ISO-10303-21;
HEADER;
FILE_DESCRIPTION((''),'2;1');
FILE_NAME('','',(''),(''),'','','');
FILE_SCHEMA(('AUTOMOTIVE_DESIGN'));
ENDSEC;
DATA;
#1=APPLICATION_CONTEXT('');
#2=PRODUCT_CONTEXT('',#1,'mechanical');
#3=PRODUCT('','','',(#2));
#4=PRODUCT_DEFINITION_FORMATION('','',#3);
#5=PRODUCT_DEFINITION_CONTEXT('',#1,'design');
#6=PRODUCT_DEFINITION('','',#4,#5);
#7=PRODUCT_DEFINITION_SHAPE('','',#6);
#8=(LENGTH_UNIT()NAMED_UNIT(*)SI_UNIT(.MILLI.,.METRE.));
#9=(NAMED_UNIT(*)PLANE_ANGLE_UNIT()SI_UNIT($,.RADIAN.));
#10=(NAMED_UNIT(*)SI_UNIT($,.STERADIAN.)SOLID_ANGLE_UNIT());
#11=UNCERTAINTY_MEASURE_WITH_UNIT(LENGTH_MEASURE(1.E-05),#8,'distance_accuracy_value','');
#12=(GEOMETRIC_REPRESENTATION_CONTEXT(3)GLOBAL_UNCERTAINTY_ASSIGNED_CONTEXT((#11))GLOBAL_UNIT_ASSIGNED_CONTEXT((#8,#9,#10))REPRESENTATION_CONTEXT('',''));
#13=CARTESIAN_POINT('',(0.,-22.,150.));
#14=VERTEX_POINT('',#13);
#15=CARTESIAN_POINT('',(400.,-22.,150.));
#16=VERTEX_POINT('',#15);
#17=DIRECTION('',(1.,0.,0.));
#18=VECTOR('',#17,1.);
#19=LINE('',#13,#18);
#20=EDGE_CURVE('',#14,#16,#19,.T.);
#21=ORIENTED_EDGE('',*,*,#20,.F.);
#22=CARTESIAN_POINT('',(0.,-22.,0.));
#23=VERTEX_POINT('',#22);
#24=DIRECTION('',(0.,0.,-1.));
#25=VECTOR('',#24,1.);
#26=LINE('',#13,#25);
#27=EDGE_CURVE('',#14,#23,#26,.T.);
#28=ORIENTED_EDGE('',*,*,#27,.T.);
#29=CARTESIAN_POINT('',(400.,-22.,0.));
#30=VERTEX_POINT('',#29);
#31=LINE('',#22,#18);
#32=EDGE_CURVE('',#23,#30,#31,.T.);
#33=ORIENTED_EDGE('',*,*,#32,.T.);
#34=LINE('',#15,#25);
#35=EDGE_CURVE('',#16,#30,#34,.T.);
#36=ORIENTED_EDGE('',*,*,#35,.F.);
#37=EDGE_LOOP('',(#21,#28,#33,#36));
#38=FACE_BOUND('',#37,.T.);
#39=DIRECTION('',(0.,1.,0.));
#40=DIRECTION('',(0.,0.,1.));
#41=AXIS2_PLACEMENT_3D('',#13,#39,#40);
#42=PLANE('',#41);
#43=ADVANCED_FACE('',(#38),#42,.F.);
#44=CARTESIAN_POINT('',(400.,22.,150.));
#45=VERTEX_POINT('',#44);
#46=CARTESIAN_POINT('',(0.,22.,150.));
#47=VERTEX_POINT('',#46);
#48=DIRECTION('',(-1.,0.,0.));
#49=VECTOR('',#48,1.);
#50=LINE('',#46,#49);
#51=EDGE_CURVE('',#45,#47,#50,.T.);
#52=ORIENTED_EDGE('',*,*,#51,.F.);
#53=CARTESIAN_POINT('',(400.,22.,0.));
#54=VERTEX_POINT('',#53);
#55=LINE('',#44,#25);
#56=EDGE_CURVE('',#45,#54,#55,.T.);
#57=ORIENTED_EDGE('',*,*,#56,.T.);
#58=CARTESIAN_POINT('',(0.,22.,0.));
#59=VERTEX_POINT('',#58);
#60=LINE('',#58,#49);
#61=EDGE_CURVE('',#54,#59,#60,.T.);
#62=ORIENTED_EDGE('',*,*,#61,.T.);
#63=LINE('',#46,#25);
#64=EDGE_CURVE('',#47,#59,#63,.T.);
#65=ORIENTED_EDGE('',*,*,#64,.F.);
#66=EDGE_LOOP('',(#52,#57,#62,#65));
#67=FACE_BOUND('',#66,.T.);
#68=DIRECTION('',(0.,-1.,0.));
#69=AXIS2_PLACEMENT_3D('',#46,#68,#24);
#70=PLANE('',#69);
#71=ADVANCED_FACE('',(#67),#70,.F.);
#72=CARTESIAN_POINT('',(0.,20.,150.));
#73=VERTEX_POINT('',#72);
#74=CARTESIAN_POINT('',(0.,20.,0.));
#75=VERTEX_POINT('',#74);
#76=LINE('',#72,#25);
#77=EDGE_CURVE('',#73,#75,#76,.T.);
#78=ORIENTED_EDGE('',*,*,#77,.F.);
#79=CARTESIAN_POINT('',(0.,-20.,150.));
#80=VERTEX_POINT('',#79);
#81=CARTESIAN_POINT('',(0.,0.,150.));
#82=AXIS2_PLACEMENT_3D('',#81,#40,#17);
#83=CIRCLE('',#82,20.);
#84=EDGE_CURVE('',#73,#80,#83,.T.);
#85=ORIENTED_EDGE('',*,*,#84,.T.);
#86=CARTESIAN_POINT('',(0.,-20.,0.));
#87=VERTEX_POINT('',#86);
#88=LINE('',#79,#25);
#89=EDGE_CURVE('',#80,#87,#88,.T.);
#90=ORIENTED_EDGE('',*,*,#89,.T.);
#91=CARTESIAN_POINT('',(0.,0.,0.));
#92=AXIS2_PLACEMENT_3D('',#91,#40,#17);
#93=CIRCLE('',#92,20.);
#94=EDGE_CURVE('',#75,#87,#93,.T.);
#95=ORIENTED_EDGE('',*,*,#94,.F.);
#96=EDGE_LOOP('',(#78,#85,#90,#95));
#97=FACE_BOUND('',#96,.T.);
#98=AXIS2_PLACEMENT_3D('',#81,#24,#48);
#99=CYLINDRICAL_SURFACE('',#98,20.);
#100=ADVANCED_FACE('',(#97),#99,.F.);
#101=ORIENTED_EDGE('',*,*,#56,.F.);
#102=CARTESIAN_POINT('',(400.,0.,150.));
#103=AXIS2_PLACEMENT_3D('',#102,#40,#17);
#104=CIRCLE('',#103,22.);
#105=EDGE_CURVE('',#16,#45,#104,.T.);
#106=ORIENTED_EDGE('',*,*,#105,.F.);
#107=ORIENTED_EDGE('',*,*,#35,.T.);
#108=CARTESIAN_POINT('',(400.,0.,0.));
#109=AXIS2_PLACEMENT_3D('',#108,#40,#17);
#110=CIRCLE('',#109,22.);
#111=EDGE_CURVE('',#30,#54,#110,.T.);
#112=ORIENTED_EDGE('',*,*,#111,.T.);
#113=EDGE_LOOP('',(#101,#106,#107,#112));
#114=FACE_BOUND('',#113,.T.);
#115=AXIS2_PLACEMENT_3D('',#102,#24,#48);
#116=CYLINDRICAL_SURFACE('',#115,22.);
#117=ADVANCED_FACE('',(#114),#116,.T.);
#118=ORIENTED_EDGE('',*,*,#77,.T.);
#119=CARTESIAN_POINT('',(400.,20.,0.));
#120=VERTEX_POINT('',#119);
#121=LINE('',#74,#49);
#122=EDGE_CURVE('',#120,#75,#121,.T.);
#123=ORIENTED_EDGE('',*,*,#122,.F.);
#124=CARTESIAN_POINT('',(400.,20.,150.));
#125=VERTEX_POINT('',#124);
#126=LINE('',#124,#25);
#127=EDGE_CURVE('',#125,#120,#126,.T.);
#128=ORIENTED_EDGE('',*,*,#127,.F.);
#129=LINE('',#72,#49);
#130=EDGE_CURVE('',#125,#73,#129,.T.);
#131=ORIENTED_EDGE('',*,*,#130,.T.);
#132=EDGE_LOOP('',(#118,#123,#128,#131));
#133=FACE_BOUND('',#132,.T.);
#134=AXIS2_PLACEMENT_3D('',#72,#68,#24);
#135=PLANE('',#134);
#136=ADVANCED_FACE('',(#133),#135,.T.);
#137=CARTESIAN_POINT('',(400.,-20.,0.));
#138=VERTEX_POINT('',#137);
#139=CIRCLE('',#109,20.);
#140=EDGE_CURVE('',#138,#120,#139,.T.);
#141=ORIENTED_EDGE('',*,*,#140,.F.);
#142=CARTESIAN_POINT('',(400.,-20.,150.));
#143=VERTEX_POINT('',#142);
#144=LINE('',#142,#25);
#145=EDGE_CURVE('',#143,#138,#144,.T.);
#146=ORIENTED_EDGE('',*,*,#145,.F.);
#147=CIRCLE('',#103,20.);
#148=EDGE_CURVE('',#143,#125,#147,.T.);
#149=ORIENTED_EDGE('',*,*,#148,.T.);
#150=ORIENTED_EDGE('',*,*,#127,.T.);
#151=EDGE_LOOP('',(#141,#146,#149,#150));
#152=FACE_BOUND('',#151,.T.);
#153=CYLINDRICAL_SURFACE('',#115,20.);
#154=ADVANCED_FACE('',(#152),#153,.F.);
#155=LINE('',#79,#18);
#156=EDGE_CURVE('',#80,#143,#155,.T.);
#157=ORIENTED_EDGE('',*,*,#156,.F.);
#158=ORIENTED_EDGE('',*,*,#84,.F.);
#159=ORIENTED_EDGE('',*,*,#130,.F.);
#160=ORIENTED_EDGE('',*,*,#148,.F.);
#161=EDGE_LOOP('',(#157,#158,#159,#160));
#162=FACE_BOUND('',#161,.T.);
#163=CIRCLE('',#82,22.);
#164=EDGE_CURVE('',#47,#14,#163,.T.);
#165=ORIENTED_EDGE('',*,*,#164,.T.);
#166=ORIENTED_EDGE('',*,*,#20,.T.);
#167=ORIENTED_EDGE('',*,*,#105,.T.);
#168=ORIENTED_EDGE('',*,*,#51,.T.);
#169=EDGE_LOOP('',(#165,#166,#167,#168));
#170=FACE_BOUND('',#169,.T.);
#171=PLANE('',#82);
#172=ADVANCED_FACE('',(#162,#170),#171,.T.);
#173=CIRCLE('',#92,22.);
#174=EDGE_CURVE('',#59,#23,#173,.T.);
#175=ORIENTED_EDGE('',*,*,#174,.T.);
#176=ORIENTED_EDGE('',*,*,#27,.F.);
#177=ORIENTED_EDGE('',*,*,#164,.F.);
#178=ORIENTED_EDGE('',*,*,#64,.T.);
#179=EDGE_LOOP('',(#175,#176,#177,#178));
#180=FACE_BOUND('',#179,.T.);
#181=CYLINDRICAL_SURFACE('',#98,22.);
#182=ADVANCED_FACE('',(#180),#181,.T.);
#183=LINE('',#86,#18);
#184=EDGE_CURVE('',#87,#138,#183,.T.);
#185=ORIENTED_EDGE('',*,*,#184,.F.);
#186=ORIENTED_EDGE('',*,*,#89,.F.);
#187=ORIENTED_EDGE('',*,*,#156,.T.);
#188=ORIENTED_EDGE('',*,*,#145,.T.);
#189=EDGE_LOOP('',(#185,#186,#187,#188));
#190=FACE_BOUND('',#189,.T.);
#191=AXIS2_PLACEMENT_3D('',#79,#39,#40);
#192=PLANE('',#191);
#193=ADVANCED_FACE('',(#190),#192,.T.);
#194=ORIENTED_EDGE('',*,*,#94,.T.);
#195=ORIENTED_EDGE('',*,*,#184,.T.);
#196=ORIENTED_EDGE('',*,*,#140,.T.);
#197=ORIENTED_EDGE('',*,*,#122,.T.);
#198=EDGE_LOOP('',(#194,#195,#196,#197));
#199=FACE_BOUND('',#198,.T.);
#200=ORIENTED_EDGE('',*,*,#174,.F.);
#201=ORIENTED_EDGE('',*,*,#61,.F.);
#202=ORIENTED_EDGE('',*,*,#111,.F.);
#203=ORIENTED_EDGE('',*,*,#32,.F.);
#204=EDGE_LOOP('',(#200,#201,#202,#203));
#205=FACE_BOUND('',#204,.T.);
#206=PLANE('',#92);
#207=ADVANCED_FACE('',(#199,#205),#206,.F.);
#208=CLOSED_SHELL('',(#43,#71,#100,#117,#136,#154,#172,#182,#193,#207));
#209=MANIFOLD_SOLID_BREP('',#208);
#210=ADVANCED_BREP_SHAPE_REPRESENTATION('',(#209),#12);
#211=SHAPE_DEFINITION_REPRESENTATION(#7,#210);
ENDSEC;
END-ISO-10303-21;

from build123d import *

# Parameters (mm, degrees)
BOSS_EXTRUDE1_DEPTH = 150


with BuildPart() as part:
    # Sketch1 → Boss-Extrude1 (new body)
    with BuildSketch(Plane.XY):
        with BuildLine():
            Line((0, 22), (400, 22))
            ThreePointArc((400, 22), (422, 0), (400, -22))
            Line((400, -22), (0, -22))
            ThreePointArc((0, -22), (-22, 0), (0, 22))
        make_face()
        with BuildLine():
            Line((0, 20), (400, 20))
            ThreePointArc((400, 20), (420, 0), (400, -20))
            Line((400, -20), (0, -20))
            ThreePointArc((0, -20), (-20, 0), (0, 20))
        make_face(mode=Mode.SUBTRACT)
    extrude(amount=BOSS_EXTRUDE1_DEPTH)


solid = part.part
